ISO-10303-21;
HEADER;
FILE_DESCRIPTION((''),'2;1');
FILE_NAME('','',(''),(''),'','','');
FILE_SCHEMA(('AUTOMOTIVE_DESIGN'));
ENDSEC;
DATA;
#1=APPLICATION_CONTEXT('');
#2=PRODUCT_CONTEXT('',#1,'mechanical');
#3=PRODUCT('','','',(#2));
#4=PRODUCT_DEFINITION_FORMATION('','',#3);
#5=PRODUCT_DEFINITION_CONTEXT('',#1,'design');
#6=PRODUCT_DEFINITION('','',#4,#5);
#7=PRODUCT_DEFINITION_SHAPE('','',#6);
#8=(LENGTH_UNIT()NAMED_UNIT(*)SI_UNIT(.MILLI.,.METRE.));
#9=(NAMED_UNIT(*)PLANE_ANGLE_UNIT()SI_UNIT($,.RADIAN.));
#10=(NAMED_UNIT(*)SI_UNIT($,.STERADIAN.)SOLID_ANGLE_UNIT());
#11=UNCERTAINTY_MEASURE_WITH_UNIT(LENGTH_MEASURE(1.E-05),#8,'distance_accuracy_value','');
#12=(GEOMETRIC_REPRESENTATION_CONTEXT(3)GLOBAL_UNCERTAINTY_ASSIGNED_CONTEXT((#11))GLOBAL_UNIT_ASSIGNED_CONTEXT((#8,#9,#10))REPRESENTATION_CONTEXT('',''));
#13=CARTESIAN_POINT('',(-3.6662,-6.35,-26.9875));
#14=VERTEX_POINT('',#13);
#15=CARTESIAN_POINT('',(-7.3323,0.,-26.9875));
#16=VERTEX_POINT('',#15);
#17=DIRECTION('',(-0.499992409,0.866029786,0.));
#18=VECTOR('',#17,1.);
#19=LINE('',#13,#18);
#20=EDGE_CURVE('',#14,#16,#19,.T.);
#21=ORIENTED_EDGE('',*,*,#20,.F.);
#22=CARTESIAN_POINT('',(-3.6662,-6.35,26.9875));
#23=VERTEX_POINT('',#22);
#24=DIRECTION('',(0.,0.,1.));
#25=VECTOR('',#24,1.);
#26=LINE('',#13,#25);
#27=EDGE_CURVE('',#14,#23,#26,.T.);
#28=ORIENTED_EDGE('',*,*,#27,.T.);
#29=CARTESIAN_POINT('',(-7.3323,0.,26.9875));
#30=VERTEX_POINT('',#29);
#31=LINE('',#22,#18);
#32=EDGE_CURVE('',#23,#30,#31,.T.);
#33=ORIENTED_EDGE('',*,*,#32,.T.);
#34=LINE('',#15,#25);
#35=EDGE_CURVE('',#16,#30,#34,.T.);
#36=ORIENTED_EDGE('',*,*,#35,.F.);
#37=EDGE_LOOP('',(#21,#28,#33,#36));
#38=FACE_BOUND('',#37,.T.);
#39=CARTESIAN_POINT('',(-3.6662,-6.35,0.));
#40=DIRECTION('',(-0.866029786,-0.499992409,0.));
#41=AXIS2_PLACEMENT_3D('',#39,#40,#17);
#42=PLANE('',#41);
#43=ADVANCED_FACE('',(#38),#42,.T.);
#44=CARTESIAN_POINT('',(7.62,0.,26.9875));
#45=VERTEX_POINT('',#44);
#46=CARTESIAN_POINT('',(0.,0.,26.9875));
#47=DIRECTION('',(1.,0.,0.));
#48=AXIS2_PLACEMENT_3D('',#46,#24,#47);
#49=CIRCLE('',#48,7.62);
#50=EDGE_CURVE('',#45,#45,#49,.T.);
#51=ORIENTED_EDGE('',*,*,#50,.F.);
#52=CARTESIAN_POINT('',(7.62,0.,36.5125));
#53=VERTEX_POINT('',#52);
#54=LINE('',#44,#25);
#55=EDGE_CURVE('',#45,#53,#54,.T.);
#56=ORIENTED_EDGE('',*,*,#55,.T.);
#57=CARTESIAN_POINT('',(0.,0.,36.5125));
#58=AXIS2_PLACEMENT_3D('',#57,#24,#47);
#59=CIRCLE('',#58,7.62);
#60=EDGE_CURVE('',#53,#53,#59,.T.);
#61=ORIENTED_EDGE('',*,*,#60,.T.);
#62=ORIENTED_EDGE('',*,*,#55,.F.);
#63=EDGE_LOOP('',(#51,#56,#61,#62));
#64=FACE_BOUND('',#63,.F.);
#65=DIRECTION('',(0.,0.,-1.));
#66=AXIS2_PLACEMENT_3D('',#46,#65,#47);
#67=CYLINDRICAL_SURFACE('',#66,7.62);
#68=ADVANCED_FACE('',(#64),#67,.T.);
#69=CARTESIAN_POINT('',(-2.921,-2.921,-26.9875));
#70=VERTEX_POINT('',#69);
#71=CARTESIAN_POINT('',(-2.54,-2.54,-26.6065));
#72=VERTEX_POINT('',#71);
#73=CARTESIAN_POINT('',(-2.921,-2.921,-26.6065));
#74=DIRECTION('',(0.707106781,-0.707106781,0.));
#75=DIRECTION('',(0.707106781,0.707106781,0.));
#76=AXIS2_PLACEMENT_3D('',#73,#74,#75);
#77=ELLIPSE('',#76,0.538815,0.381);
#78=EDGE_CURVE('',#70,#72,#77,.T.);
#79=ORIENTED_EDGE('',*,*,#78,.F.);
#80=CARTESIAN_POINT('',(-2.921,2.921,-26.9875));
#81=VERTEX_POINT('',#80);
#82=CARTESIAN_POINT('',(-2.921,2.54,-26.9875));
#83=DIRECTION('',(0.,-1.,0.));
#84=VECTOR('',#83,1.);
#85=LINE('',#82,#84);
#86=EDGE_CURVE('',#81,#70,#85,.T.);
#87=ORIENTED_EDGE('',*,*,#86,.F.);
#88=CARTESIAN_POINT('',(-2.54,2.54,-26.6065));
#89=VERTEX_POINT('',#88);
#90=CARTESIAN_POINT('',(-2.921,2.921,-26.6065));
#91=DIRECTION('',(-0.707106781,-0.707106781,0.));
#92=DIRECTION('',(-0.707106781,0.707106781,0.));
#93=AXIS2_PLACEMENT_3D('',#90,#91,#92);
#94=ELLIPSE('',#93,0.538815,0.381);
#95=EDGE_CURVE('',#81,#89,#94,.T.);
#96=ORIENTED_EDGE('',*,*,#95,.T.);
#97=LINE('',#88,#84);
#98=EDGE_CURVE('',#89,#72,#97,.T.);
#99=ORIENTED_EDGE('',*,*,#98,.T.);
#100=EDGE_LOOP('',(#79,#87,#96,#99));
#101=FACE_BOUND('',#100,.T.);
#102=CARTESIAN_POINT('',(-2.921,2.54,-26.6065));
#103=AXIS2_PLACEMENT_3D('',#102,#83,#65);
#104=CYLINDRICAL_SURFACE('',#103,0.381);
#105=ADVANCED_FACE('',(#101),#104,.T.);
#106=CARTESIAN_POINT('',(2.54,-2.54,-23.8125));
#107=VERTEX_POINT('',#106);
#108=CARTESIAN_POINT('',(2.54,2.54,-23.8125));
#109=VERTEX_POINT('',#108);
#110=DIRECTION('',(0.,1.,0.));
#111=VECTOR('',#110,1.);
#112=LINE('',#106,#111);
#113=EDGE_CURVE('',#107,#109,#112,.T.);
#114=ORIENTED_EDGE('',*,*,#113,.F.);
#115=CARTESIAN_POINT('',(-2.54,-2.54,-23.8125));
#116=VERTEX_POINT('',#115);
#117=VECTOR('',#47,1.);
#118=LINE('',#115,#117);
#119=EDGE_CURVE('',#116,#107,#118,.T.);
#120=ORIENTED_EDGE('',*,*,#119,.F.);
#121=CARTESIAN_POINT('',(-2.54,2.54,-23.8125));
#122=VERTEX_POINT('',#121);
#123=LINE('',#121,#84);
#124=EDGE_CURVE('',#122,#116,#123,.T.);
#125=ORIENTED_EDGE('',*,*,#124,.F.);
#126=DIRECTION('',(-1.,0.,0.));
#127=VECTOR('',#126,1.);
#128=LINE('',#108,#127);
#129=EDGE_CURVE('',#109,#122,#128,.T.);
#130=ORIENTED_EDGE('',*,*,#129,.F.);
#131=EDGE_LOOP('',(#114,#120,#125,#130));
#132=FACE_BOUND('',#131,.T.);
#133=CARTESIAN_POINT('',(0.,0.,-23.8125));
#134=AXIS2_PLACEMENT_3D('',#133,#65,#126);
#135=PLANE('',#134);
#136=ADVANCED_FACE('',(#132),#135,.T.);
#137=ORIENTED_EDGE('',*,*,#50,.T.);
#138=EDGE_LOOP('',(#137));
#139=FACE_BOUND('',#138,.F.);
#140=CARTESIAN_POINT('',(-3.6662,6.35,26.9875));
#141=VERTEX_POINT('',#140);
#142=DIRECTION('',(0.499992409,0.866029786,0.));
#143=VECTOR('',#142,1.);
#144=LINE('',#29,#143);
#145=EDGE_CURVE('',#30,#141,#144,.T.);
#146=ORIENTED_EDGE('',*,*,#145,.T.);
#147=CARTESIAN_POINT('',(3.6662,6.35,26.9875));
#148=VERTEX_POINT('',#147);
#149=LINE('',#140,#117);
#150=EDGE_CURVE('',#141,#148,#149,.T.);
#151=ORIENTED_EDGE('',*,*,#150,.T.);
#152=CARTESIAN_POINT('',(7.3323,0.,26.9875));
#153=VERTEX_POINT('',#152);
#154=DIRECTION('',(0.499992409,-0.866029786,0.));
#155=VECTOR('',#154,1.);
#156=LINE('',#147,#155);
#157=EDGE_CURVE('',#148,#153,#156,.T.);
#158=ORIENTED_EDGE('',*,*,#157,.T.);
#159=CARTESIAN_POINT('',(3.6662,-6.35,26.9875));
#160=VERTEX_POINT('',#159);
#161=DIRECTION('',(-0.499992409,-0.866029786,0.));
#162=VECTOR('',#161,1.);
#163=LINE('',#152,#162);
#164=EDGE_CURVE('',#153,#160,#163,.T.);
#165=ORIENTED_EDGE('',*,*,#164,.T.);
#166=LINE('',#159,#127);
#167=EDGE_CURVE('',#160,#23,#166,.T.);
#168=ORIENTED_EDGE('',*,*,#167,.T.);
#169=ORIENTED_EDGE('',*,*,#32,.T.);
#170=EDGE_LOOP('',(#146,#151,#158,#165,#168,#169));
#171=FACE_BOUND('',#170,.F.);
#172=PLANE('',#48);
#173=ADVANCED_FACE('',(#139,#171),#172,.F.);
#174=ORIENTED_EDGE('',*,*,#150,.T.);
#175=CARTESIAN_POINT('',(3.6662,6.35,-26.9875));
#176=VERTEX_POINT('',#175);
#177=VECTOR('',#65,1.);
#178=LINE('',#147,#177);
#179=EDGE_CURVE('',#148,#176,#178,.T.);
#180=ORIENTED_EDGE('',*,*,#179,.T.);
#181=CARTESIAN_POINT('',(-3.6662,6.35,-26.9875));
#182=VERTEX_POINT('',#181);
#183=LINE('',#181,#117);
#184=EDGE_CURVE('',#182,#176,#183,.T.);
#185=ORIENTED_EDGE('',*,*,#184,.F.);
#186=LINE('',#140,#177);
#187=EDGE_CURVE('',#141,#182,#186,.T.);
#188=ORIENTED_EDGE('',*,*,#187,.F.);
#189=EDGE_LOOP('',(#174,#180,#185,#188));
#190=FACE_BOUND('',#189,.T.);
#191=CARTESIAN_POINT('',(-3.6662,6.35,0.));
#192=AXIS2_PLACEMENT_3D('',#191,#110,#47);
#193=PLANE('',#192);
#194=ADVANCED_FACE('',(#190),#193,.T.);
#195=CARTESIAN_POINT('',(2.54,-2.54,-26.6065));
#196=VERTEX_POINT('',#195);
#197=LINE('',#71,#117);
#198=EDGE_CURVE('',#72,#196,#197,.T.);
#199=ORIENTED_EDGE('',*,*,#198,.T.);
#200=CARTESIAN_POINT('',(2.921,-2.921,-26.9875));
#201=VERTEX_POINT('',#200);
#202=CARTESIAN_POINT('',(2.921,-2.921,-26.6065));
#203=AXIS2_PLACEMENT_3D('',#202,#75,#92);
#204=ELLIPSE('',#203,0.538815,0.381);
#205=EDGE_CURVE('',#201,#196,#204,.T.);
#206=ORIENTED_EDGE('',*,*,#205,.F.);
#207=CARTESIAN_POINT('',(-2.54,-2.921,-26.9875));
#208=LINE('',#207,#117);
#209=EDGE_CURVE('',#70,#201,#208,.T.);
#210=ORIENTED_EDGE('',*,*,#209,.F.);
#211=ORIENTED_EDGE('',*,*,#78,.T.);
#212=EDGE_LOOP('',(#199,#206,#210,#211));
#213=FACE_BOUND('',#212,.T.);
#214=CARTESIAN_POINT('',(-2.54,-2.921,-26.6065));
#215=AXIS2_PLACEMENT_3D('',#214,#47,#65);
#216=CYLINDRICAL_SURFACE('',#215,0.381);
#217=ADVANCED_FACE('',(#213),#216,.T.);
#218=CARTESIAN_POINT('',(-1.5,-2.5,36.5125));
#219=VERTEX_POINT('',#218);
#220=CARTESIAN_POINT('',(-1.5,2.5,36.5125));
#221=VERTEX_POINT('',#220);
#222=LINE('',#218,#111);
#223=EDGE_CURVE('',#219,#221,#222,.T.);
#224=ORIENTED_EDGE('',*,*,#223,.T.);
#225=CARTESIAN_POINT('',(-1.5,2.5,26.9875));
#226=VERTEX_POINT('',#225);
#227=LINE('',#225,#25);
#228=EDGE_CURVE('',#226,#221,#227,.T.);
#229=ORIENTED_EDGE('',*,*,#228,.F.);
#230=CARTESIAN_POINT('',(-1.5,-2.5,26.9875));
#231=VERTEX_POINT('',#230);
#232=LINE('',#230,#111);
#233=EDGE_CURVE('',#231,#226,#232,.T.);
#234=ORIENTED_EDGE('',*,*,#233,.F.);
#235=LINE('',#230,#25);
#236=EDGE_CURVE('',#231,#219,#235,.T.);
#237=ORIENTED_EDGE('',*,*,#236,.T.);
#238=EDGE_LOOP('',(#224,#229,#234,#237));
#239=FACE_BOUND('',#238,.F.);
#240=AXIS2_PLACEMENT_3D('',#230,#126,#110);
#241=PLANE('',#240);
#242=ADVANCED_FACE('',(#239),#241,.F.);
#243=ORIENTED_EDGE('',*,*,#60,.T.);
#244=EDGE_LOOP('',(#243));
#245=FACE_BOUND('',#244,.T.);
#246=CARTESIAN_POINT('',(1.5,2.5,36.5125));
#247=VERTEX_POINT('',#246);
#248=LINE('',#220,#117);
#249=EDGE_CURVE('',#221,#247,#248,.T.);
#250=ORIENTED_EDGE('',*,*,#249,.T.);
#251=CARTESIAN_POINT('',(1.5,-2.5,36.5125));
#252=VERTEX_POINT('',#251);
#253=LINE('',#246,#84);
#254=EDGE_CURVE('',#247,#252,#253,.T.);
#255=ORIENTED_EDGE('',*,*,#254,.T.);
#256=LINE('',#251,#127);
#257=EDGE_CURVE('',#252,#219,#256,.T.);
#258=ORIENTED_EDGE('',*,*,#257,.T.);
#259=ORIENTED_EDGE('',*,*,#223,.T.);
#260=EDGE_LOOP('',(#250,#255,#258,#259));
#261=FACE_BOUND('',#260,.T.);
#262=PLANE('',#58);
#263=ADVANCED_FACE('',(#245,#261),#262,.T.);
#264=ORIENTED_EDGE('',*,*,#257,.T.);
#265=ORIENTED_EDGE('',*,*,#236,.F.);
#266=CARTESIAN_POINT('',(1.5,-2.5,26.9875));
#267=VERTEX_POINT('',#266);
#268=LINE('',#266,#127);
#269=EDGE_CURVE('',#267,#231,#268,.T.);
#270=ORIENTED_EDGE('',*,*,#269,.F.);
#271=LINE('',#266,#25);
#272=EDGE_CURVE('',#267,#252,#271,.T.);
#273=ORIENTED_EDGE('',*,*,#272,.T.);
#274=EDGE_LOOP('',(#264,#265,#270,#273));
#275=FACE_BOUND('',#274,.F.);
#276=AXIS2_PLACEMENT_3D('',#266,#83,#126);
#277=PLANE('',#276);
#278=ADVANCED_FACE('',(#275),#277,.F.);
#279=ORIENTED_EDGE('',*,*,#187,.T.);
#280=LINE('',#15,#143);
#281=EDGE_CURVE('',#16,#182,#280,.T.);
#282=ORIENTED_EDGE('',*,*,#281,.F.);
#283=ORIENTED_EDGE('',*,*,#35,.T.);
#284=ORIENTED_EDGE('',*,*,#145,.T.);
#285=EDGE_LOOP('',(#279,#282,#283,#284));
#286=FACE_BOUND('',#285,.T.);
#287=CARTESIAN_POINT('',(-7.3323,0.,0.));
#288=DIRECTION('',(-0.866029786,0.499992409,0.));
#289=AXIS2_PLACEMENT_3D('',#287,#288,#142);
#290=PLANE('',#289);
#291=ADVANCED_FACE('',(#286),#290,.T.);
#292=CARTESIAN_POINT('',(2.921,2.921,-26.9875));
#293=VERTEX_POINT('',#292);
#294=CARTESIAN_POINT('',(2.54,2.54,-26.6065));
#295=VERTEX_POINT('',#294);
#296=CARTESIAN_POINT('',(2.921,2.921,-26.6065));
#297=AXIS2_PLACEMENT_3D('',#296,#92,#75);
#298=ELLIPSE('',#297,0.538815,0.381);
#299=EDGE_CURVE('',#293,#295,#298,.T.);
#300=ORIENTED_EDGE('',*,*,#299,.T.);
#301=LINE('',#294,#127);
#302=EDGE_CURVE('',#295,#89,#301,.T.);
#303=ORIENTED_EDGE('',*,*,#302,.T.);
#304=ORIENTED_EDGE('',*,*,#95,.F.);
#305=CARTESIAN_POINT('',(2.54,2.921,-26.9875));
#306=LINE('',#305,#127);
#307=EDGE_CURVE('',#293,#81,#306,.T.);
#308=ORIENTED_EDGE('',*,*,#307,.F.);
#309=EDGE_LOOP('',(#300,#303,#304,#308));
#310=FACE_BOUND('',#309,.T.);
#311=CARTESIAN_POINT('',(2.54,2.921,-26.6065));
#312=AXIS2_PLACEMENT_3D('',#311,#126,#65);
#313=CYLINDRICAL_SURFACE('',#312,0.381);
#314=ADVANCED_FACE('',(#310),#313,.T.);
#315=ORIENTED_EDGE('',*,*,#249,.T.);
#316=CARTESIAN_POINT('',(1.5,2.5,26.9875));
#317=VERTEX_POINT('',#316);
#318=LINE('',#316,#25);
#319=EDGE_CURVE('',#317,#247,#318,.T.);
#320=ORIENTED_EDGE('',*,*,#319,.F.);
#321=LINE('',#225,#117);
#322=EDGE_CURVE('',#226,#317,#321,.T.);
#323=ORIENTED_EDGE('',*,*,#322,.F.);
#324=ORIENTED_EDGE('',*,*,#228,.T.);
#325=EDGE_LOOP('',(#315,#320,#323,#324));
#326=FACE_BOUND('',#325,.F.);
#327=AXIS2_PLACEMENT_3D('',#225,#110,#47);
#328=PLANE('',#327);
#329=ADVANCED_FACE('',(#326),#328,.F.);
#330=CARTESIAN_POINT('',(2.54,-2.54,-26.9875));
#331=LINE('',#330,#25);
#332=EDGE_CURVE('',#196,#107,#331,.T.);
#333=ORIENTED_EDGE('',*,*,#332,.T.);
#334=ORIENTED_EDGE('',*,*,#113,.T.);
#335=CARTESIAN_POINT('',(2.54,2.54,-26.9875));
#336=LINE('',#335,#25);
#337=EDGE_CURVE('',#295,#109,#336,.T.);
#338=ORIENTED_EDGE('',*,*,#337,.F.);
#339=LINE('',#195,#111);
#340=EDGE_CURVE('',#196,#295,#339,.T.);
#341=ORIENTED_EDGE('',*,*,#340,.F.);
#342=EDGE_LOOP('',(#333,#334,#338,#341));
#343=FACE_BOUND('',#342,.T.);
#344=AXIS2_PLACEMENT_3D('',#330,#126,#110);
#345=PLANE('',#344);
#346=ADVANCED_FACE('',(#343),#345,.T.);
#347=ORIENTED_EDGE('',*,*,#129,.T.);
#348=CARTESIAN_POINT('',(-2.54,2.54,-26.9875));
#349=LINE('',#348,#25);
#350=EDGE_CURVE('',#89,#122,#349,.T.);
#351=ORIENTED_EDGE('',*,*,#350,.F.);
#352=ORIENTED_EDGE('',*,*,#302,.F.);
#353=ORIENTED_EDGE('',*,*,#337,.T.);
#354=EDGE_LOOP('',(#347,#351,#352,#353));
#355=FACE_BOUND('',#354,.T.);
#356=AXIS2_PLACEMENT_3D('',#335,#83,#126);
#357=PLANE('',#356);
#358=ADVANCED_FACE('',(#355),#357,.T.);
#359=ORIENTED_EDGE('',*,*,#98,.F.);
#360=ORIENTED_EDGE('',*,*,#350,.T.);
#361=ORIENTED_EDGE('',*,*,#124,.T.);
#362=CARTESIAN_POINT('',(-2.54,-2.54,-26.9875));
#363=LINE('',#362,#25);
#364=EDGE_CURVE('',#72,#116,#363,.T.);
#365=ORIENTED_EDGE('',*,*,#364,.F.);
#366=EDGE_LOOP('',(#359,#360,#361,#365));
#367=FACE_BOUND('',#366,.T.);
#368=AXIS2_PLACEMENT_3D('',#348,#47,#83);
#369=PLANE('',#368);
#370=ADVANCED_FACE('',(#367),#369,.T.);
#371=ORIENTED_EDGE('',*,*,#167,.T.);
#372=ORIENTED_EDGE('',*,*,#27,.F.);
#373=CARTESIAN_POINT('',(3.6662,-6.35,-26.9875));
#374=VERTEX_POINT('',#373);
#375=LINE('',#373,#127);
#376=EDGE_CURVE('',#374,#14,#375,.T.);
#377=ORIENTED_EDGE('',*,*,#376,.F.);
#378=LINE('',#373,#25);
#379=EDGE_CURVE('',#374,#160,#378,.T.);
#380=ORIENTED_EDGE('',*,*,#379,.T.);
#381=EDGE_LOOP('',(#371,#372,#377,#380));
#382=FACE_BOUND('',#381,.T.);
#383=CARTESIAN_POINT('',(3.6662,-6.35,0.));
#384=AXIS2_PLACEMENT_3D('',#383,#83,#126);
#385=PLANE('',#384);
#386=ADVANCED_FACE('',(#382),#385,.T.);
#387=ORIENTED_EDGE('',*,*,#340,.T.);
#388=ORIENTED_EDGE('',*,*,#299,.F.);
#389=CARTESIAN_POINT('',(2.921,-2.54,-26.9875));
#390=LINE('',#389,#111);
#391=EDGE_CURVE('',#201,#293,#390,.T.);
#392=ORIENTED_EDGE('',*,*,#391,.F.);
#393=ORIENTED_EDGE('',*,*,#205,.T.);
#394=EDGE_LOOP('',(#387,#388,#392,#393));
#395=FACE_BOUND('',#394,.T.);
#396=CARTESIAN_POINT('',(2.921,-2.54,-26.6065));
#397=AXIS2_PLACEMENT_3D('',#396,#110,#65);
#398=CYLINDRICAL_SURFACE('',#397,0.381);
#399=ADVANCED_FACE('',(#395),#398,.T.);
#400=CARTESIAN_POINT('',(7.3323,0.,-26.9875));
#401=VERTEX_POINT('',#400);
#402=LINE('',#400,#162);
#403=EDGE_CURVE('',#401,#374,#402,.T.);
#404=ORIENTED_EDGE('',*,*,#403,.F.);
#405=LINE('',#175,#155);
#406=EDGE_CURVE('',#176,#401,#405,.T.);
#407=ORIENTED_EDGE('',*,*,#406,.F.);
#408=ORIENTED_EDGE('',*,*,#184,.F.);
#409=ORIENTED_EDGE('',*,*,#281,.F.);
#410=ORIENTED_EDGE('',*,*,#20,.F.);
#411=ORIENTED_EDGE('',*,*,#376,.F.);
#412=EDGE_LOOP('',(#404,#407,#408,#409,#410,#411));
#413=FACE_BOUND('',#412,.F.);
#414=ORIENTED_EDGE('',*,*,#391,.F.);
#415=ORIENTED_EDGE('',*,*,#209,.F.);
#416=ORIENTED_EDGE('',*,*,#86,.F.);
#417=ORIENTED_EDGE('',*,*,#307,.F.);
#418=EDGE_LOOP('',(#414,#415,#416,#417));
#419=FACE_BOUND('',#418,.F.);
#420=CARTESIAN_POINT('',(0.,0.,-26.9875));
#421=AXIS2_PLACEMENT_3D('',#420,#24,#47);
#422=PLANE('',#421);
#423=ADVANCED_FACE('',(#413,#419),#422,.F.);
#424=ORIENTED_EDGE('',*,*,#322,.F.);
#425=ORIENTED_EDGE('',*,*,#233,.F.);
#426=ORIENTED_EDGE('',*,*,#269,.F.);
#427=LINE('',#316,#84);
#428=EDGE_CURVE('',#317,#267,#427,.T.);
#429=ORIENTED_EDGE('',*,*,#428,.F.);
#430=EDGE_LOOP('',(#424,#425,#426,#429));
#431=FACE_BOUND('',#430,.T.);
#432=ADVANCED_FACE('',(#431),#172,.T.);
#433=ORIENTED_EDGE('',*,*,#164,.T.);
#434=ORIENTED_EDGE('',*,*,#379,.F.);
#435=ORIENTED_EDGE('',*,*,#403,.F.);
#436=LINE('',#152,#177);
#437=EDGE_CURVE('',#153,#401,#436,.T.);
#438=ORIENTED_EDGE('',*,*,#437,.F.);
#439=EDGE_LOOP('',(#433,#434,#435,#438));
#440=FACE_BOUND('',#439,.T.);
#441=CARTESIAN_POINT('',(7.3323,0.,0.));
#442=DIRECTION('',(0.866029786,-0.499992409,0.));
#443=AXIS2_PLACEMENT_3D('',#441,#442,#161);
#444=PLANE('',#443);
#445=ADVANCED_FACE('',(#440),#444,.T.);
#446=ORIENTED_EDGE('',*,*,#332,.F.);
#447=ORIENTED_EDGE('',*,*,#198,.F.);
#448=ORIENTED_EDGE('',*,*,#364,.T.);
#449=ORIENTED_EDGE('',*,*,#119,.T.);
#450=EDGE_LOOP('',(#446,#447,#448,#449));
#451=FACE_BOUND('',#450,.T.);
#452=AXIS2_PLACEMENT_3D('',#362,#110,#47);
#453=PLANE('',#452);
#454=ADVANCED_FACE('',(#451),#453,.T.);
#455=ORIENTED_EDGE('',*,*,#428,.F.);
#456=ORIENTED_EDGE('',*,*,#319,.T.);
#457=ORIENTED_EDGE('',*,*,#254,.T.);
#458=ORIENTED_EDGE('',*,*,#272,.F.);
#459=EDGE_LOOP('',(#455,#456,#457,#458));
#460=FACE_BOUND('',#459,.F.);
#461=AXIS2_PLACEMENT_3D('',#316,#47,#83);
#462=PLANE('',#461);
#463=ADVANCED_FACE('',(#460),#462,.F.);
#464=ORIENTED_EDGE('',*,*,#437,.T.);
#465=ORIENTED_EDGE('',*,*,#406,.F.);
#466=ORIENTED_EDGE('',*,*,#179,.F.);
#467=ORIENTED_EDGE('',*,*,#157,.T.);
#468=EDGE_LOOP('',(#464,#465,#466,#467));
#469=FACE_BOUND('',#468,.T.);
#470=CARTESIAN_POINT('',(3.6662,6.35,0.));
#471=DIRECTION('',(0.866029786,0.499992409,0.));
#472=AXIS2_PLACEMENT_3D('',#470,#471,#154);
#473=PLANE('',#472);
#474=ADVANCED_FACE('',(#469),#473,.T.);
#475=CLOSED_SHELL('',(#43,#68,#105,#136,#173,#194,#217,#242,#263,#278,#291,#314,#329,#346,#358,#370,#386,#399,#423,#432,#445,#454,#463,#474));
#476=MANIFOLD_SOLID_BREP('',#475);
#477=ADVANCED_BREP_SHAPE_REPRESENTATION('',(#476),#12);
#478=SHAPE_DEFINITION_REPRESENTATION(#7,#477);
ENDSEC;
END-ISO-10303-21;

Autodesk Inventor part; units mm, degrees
ref_plane "YZ Plane" through (0, 0, 0) normal (1, 0, 0) x (0, 1, 0)
ref_plane "XZ Plane" through (0, 0, 0) normal (0, 1, 0) x (-1, 0, 0)
ref_plane "XY Plane" through (0, 0, 0) normal (0, 0, 1) x (1, 0, 0)
sketch "Sketch1" plane through (0, 0, 0) normal (0, 0, 1) x (1, 0, 0)
  line L0 (-7.3323, 0) -> (-3.6662, 6.35)
  line L1 (-3.6662, 6.35) -> (3.6662, 6.35)
  line L2 (3.6662, 6.35) -> (7.3323, 0)
  line L3 (7.3323, 0) -> (3.6662, -6.35)
  line L4 (3.6662, -6.35) -> (-3.6662, -6.35)
  line L5 (-3.6662, -6.35) -> (-7.3323, 0)
  circle A0 centre (0, 0) radius 1.5923 construction
  dimension "d0" = 12.7
extrude "Extrusion1" add sketch "Sketch1" along normal mid plane 53.975
sketch "Sketch2" plane through (0, 0, 26.9875) normal (0, 0, 1) x (1, 0, 0)
  line L0 (3.6662, 6.35) -> (-3.6662, 6.35) projected
  line L1 (-3.6662, -6.35) -> (3.6662, -6.35) projected
  line L2 (3.6662, -6.35) -> (7.3323, 0) projected
  line L3 (7.3323, 0) -> (3.6662, 6.35) projected
  line L4 (3.6662, 6.35) -> (-3.6662, 6.35) projected
  line L5 (-3.6662, 6.35) -> (-7.3323, 0) projected
  line L6 (-7.3323, 0) -> (-3.6662, -6.35) projected
  circle A0 centre (0, 0) radius 7.62
  line L7 (1.5, -2.5) -> (-1.5, -2.5)
  line L8 (-1.5, -2.5) -> (-1.5, 2.5)
  line L9 (-1.5, 2.5) -> (1.5, 2.5)
  line L10 (1.5, 2.5) -> (1.5, -2.5)
  line L11 (1.5, -2.5) -> (-1.5, 2.5) construction
  line L12 (-1.5, -2.5) -> (1.5, 2.5) construction
  dimension "d5" = 15.24
  dimension "d6" = 3
  dimension "d7" = 5
extrude "Extrusion2" add sketch "Sketch2" along normal blind 9.525 contours L3 L2 L1 L6 L5 L0 | A0
sketch "Sketch3" plane through (0, 0, -26.9875) normal (0, 0, -1) x (-1, 0, 0)
  line L0 (2.54, -2.54) -> (-2.54, -2.54)
  line L1 (-2.54, -2.54) -> (-2.54, 2.54)
  line L2 (-2.54, 2.54) -> (2.54, 2.54)
  line L3 (2.54, 2.54) -> (2.54, -2.54)
  line L4 (2.54, -2.54) -> (-2.54, 2.54) construction
  line L5 (-2.54, -2.54) -> (2.54, 2.54) construction
  point P0 (0, 0)
  dimension "d11" = 5.08
  dimension "d12" = 5.08
extrude "Extrusion3" cut sketch "Sketch3" against normal blind 3.175
fillet "Fillet1" radius 0.381 4 edges at (2.54, 0, -26.9875) (0, 2.54, -26.9875) (0, -2.54, -26.9875) (-2.54, 0, -26.9875)
properties part number "Shaft"
